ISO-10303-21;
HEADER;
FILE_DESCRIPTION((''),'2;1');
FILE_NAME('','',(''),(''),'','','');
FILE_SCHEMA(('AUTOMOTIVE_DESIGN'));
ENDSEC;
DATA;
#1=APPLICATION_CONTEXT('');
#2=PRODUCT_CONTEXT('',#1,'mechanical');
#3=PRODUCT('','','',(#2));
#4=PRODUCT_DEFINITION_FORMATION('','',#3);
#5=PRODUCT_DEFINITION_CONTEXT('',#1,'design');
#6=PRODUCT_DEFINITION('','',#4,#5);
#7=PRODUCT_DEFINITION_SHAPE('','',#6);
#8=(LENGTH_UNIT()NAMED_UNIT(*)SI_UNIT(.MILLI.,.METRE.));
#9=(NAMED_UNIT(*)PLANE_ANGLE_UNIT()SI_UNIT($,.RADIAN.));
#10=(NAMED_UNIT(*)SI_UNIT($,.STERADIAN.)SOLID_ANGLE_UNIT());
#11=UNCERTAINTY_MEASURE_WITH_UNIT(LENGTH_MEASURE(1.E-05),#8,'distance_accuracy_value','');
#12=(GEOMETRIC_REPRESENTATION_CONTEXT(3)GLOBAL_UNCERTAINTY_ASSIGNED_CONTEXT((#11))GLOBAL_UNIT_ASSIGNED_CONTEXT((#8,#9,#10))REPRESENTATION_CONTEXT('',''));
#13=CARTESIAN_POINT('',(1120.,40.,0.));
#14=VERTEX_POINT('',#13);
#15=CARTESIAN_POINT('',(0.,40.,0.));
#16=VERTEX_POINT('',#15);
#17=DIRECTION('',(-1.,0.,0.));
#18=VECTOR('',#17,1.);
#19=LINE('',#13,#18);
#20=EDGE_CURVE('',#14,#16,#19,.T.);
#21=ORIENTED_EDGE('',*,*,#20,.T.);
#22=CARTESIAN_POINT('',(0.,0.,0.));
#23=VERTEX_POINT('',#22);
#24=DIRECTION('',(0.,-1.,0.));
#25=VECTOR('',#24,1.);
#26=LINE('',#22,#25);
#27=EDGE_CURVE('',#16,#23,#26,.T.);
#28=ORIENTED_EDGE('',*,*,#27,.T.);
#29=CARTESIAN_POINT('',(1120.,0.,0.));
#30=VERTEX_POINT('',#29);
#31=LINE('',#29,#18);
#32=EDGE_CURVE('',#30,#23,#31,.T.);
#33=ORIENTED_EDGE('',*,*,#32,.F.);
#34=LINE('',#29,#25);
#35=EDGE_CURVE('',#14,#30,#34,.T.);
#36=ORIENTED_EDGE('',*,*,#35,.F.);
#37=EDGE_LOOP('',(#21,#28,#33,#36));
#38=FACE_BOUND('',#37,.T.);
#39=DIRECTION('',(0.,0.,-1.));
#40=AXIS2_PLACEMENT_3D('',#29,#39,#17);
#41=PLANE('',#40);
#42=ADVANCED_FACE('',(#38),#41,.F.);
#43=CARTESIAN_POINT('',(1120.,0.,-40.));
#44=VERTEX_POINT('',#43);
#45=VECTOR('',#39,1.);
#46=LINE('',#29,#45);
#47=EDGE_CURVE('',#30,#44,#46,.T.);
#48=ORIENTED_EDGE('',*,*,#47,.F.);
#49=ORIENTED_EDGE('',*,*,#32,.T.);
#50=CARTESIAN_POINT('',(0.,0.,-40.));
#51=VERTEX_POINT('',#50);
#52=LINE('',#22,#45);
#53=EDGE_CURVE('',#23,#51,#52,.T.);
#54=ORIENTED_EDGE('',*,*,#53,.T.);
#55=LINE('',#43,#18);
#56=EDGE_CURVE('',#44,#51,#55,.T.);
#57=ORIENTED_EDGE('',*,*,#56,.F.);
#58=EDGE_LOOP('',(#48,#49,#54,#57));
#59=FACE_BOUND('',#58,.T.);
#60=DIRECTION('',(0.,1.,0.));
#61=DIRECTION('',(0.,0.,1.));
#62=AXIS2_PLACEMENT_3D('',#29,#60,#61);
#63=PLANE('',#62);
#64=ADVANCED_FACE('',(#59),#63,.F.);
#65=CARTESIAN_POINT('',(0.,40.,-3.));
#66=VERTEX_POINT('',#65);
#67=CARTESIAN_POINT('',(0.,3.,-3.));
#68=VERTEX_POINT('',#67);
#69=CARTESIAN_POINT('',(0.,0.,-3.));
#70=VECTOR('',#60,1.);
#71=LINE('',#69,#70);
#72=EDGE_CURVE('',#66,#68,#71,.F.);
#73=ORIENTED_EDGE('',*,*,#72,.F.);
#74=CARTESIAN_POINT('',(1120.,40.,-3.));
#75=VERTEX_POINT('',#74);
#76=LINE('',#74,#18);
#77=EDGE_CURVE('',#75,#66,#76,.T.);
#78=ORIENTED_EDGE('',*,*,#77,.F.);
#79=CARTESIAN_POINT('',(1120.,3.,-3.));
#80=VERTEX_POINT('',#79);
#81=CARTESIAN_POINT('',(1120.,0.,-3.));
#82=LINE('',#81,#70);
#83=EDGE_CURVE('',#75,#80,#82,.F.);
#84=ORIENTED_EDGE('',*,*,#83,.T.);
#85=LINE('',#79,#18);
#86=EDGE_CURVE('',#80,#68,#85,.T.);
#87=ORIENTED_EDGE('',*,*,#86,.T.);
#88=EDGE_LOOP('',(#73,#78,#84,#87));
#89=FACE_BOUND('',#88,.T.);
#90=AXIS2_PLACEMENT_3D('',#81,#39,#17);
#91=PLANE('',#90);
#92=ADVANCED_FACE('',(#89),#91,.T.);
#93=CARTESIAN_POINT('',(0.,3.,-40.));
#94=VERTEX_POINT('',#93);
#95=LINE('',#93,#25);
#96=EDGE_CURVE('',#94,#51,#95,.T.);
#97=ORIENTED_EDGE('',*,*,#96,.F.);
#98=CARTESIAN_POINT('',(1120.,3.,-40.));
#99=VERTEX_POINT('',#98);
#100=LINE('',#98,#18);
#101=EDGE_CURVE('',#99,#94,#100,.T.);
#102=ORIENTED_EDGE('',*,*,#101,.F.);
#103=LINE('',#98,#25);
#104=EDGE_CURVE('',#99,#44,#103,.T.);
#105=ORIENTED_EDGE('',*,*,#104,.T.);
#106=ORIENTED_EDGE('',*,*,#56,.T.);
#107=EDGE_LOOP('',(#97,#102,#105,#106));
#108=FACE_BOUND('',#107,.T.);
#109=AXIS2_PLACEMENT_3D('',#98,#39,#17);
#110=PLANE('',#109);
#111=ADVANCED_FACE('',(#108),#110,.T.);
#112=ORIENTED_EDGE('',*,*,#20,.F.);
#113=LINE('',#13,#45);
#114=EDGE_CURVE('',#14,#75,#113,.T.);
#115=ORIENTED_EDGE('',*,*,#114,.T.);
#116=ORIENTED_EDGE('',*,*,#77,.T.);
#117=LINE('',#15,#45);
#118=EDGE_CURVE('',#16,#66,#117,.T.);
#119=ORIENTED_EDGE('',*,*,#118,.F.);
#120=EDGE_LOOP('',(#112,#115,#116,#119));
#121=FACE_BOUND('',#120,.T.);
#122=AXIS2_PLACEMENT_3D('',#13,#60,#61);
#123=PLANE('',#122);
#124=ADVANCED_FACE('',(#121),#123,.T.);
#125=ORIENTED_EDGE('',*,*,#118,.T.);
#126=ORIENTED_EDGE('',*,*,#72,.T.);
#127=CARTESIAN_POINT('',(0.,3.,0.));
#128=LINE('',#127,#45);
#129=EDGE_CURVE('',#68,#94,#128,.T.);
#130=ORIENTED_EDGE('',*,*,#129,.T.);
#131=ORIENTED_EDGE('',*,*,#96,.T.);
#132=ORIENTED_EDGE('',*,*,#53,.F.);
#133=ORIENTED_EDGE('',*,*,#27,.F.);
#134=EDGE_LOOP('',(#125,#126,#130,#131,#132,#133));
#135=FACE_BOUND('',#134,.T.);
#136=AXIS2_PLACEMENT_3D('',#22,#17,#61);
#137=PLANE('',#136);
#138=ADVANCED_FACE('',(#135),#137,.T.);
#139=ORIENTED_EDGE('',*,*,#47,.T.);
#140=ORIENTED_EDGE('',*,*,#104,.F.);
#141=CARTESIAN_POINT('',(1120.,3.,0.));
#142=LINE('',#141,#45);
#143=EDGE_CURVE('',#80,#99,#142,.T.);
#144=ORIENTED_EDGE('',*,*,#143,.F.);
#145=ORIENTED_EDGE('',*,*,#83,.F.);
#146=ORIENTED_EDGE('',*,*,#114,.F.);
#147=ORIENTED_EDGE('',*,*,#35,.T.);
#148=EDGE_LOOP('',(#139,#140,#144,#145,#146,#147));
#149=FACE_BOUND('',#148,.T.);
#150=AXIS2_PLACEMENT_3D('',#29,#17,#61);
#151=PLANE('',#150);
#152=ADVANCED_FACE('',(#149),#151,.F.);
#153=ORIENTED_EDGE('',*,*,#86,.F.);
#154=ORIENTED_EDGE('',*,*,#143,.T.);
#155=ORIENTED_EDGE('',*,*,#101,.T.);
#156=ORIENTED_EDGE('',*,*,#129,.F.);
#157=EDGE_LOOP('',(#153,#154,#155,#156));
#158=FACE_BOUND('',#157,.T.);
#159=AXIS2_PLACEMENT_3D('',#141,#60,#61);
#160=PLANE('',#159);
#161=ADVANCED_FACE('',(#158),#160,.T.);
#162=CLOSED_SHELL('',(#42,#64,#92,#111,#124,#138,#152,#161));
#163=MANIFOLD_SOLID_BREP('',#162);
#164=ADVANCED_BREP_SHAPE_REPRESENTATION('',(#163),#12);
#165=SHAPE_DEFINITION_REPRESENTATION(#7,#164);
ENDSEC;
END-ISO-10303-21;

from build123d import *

# Parameters (mm, degrees)
EXTRUDE_1_DEPTH = 1120


with BuildPart() as part:
    # Эскиз1 → Вытянуть-Тонкостенный1 (new body)
    with BuildSketch(Plane(origin=(0, 0, 0), x_dir=(0, 0, -1), z_dir=(1, 0, 0))):
        Polygon((40, 0), (0, 0), (0, 40), (3, 40), (3, 3), (40, 3), align=None)
    extrude(amount=EXTRUDE_1_DEPTH)


solid = part.part
